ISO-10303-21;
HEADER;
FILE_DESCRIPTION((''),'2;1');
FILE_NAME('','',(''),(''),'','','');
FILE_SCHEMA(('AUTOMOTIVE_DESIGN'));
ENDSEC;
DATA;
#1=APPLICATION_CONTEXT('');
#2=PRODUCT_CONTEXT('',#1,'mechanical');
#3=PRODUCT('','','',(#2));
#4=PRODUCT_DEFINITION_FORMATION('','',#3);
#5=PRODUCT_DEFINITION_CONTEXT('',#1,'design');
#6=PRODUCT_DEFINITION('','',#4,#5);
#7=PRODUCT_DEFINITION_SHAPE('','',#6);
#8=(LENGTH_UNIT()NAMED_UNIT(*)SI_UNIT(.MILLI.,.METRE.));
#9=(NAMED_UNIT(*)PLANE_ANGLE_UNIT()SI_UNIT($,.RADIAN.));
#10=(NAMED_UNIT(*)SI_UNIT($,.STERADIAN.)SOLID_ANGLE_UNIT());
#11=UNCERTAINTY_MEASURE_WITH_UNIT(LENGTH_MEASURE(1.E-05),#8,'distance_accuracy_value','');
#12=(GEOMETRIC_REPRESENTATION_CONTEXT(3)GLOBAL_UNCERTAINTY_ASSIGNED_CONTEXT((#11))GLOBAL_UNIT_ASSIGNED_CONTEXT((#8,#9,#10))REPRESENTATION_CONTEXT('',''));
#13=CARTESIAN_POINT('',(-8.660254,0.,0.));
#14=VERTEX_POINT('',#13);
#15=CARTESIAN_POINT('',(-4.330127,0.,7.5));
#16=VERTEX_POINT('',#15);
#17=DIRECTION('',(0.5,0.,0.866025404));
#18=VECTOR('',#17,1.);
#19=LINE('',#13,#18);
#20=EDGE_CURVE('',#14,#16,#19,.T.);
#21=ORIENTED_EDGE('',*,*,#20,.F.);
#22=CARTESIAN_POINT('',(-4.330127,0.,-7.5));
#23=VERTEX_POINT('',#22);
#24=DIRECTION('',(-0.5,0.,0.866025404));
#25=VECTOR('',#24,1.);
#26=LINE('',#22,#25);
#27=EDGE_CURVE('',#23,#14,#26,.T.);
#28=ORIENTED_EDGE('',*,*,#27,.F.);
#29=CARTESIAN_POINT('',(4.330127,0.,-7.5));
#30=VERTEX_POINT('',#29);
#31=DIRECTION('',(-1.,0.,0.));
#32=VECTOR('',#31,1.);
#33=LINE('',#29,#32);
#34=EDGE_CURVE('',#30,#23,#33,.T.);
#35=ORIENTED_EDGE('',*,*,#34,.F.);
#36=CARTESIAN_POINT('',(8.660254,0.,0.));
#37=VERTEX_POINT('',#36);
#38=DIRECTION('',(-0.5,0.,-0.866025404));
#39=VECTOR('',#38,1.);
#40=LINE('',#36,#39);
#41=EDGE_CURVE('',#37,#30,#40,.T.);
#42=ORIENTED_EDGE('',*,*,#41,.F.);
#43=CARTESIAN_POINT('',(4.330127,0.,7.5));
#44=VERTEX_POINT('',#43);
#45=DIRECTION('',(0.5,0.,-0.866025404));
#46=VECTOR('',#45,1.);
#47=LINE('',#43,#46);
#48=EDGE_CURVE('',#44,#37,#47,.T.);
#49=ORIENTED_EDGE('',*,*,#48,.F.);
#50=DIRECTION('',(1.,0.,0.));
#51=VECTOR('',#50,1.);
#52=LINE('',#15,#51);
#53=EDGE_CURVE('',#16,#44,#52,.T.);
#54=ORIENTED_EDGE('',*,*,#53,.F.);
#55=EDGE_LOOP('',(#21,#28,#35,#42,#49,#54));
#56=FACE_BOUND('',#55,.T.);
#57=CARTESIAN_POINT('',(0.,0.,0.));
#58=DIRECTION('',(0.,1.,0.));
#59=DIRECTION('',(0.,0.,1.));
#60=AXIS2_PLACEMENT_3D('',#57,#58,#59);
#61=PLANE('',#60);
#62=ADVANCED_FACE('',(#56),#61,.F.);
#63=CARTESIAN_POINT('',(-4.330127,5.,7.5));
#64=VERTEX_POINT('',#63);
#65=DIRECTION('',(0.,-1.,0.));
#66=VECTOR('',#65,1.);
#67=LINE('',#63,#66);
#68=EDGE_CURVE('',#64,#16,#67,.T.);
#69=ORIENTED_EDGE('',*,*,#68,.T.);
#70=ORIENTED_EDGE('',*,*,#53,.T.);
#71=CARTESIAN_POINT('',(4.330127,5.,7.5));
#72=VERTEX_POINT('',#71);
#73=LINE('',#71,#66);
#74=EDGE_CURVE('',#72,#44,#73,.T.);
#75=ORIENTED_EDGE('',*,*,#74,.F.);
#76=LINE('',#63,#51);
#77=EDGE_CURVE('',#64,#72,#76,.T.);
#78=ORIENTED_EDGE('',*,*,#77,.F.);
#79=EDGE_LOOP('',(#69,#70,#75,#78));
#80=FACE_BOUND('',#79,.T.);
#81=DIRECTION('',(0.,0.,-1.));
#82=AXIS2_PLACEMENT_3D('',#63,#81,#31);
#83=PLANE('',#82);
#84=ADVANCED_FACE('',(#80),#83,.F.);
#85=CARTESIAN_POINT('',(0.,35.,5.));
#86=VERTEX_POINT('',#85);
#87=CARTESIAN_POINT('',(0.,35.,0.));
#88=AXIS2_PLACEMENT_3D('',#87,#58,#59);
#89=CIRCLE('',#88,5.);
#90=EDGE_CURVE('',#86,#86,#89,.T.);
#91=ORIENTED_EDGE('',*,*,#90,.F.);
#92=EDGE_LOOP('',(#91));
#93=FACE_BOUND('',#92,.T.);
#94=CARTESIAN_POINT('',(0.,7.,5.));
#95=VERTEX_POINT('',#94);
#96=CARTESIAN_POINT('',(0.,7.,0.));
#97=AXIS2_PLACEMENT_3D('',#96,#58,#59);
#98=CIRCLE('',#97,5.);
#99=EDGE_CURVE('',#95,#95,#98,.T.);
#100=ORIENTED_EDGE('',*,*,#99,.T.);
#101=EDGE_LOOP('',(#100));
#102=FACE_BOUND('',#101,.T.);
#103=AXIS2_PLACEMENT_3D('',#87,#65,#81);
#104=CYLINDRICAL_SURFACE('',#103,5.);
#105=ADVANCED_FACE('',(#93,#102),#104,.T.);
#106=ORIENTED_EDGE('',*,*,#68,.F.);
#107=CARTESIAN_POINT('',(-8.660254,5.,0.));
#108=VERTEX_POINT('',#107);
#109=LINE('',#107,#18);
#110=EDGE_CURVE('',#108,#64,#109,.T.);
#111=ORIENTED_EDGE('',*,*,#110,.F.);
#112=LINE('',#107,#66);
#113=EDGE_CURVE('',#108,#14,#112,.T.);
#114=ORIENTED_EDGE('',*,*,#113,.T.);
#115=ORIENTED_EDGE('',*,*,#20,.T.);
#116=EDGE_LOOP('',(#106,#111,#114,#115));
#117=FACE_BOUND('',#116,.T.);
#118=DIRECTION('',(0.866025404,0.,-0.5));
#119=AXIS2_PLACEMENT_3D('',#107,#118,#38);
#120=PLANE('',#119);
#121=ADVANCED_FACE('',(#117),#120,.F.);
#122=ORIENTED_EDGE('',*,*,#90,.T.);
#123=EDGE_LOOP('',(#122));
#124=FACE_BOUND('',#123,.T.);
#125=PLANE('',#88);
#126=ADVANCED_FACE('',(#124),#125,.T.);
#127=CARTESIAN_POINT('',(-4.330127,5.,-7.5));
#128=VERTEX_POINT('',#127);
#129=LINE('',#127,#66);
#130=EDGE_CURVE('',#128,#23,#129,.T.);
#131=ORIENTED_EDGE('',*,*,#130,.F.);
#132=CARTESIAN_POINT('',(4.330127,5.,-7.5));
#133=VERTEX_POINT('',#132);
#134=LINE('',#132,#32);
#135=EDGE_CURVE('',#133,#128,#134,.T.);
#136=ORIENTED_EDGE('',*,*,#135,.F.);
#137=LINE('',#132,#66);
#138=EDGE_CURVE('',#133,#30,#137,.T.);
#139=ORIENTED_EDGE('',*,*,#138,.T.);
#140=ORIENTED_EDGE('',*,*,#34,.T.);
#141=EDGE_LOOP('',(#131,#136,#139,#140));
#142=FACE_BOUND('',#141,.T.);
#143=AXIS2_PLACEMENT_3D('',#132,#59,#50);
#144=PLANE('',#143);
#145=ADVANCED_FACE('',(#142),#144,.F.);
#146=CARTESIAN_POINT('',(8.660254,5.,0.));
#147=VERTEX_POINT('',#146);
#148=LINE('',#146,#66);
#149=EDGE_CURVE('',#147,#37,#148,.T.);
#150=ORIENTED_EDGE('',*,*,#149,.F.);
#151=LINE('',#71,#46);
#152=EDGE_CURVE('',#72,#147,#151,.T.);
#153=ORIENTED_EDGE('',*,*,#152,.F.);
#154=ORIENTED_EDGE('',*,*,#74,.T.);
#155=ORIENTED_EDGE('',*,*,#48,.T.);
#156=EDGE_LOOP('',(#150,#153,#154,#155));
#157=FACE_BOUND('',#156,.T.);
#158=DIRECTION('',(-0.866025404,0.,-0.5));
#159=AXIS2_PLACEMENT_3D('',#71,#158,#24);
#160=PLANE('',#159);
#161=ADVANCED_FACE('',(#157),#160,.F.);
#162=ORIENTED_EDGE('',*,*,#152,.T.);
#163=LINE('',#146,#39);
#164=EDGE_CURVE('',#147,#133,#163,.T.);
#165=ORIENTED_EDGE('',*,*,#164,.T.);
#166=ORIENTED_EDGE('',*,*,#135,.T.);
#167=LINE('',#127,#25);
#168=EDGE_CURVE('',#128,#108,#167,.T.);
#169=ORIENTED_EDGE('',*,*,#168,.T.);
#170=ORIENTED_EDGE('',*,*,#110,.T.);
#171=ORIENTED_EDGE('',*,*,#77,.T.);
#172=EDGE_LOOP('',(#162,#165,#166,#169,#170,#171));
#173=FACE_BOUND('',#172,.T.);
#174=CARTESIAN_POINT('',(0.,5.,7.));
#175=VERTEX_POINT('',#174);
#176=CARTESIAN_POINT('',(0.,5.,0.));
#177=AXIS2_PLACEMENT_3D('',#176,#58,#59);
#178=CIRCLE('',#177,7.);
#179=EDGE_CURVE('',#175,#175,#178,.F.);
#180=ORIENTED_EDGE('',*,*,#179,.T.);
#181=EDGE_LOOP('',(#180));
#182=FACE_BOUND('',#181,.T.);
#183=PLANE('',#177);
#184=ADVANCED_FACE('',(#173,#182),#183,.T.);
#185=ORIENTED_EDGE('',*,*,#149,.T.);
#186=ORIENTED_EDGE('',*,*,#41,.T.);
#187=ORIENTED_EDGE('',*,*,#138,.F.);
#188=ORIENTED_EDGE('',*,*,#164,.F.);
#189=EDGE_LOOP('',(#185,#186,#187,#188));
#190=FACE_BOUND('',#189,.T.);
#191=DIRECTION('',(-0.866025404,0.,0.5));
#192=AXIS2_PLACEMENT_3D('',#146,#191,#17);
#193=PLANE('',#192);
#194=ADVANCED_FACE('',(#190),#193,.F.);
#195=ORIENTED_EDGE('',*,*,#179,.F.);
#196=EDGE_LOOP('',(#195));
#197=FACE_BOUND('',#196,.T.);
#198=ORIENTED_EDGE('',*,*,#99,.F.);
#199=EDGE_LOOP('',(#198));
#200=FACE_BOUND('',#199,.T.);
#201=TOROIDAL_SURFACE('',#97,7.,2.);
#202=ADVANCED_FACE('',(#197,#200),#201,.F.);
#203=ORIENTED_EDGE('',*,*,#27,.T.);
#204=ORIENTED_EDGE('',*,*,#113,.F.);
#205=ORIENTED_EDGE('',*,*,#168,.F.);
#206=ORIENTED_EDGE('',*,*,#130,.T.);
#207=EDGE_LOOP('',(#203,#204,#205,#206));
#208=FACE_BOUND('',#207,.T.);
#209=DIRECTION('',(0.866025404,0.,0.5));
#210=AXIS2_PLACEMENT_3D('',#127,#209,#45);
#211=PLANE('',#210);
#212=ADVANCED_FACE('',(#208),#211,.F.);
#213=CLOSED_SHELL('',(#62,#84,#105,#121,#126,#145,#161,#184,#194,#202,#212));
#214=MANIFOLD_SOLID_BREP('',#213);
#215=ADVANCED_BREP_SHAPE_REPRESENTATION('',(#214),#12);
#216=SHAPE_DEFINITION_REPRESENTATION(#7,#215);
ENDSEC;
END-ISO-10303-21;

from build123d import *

# Parameters (mm, degrees)
BOSS_EXTRUDE1_DEPTH = 5
SKETCH2_R           = 5
BOSS_EXTRUDE2_DEPTH = 30
FILLET1_R           = 2


with BuildPart() as part:
    # Sketch1 → Boss-Extrude1 (new body)
    with BuildSketch(Plane(origin=(0, 0, 0), x_dir=(1, 0, 0), z_dir=(0, 1, 0))):
        Polygon((8.660254038, 0), (4.330127019, 7.5), (-4.330127019, 7.5), (-8.660254038, 0), (-4.330127019, -7.5), (4.330127019, -7.5), align=None)
    extrude(amount=BOSS_EXTRUDE1_DEPTH)

    # Sketch2 → Boss-Extrude2 (add)
    with BuildSketch(Plane(origin=(0, 5, 0), x_dir=(1, 0, 0), z_dir=(0, 1, 0))):
        with Locations(Location((0, 0, 0), (0, 0, 270))):
            Circle(SKETCH2_R)
    extrude(amount=BOSS_EXTRUDE2_DEPTH)

    # Fillet1
    fillet1_edges = [part.edges().sort_by_distance(p)[0] for p in [
        (0, 5, -5),
    ]]
    fillet(fillet1_edges, radius=FILLET1_R)


solid = part.part
